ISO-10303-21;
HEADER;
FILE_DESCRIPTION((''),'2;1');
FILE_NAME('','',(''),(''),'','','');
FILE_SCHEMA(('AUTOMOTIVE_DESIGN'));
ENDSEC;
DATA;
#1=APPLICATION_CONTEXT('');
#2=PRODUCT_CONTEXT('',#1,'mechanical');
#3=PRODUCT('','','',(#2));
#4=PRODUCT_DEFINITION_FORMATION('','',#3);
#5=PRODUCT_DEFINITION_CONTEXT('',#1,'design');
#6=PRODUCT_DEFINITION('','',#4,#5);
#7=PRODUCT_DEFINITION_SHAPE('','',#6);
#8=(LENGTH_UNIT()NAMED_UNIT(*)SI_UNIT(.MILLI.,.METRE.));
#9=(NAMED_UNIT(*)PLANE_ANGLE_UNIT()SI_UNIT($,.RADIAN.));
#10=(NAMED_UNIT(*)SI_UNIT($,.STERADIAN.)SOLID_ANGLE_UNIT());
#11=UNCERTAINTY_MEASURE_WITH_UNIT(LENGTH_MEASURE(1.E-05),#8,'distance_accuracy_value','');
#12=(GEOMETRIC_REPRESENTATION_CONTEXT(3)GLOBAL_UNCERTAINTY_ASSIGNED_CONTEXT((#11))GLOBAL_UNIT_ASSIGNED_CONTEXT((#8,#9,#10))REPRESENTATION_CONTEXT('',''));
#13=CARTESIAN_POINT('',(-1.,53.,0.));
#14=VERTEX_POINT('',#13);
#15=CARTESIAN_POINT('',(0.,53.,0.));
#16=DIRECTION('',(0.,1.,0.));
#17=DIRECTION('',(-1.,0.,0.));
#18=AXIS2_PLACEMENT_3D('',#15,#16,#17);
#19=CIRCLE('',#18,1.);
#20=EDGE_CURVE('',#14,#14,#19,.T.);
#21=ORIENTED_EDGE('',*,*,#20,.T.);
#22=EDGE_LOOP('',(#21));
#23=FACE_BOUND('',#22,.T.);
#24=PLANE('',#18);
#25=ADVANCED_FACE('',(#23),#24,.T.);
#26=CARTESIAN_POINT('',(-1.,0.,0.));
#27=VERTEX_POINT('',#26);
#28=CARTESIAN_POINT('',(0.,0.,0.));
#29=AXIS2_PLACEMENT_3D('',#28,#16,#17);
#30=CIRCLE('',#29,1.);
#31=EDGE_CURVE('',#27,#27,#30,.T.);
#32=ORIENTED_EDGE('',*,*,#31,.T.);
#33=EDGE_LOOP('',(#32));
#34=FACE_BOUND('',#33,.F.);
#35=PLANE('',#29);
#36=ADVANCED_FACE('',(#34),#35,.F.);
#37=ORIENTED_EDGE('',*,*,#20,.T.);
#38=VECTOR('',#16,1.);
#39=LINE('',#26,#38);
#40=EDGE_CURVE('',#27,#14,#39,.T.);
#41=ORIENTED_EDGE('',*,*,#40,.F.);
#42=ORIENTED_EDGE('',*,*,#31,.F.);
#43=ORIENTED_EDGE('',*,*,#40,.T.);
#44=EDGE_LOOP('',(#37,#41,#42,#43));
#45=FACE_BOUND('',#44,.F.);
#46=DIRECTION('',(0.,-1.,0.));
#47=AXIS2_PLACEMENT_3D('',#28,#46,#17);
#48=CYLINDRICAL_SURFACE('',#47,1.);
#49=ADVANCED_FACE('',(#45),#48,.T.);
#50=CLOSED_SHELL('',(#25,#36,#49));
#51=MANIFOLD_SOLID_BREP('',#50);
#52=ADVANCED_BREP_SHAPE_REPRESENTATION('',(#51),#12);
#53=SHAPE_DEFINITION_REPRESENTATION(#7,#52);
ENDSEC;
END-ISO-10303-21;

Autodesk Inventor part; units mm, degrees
ref_plane "YZ Plane" through (0, 0, 0) normal (1, 0, 0) x (0, 1, 0)
ref_plane "XZ Plane" through (0, 0, 0) normal (0, 1, 0) x (-1, 0, 0)
ref_plane "XY Plane" through (0, 0, 0) normal (0, 0, 1) x (1, 0, 0)
sketch "Sketch1" plane through (0, 0, 0) normal (0, 1, 0) x (-1, 0, 0)
  circle A0 centre (0, 0) radius 1
  dimension "d0" = 2
extrude "Extrusion1" add sketch "Sketch1" along normal blind 53
properties part number "LaserBeamCenter1"
